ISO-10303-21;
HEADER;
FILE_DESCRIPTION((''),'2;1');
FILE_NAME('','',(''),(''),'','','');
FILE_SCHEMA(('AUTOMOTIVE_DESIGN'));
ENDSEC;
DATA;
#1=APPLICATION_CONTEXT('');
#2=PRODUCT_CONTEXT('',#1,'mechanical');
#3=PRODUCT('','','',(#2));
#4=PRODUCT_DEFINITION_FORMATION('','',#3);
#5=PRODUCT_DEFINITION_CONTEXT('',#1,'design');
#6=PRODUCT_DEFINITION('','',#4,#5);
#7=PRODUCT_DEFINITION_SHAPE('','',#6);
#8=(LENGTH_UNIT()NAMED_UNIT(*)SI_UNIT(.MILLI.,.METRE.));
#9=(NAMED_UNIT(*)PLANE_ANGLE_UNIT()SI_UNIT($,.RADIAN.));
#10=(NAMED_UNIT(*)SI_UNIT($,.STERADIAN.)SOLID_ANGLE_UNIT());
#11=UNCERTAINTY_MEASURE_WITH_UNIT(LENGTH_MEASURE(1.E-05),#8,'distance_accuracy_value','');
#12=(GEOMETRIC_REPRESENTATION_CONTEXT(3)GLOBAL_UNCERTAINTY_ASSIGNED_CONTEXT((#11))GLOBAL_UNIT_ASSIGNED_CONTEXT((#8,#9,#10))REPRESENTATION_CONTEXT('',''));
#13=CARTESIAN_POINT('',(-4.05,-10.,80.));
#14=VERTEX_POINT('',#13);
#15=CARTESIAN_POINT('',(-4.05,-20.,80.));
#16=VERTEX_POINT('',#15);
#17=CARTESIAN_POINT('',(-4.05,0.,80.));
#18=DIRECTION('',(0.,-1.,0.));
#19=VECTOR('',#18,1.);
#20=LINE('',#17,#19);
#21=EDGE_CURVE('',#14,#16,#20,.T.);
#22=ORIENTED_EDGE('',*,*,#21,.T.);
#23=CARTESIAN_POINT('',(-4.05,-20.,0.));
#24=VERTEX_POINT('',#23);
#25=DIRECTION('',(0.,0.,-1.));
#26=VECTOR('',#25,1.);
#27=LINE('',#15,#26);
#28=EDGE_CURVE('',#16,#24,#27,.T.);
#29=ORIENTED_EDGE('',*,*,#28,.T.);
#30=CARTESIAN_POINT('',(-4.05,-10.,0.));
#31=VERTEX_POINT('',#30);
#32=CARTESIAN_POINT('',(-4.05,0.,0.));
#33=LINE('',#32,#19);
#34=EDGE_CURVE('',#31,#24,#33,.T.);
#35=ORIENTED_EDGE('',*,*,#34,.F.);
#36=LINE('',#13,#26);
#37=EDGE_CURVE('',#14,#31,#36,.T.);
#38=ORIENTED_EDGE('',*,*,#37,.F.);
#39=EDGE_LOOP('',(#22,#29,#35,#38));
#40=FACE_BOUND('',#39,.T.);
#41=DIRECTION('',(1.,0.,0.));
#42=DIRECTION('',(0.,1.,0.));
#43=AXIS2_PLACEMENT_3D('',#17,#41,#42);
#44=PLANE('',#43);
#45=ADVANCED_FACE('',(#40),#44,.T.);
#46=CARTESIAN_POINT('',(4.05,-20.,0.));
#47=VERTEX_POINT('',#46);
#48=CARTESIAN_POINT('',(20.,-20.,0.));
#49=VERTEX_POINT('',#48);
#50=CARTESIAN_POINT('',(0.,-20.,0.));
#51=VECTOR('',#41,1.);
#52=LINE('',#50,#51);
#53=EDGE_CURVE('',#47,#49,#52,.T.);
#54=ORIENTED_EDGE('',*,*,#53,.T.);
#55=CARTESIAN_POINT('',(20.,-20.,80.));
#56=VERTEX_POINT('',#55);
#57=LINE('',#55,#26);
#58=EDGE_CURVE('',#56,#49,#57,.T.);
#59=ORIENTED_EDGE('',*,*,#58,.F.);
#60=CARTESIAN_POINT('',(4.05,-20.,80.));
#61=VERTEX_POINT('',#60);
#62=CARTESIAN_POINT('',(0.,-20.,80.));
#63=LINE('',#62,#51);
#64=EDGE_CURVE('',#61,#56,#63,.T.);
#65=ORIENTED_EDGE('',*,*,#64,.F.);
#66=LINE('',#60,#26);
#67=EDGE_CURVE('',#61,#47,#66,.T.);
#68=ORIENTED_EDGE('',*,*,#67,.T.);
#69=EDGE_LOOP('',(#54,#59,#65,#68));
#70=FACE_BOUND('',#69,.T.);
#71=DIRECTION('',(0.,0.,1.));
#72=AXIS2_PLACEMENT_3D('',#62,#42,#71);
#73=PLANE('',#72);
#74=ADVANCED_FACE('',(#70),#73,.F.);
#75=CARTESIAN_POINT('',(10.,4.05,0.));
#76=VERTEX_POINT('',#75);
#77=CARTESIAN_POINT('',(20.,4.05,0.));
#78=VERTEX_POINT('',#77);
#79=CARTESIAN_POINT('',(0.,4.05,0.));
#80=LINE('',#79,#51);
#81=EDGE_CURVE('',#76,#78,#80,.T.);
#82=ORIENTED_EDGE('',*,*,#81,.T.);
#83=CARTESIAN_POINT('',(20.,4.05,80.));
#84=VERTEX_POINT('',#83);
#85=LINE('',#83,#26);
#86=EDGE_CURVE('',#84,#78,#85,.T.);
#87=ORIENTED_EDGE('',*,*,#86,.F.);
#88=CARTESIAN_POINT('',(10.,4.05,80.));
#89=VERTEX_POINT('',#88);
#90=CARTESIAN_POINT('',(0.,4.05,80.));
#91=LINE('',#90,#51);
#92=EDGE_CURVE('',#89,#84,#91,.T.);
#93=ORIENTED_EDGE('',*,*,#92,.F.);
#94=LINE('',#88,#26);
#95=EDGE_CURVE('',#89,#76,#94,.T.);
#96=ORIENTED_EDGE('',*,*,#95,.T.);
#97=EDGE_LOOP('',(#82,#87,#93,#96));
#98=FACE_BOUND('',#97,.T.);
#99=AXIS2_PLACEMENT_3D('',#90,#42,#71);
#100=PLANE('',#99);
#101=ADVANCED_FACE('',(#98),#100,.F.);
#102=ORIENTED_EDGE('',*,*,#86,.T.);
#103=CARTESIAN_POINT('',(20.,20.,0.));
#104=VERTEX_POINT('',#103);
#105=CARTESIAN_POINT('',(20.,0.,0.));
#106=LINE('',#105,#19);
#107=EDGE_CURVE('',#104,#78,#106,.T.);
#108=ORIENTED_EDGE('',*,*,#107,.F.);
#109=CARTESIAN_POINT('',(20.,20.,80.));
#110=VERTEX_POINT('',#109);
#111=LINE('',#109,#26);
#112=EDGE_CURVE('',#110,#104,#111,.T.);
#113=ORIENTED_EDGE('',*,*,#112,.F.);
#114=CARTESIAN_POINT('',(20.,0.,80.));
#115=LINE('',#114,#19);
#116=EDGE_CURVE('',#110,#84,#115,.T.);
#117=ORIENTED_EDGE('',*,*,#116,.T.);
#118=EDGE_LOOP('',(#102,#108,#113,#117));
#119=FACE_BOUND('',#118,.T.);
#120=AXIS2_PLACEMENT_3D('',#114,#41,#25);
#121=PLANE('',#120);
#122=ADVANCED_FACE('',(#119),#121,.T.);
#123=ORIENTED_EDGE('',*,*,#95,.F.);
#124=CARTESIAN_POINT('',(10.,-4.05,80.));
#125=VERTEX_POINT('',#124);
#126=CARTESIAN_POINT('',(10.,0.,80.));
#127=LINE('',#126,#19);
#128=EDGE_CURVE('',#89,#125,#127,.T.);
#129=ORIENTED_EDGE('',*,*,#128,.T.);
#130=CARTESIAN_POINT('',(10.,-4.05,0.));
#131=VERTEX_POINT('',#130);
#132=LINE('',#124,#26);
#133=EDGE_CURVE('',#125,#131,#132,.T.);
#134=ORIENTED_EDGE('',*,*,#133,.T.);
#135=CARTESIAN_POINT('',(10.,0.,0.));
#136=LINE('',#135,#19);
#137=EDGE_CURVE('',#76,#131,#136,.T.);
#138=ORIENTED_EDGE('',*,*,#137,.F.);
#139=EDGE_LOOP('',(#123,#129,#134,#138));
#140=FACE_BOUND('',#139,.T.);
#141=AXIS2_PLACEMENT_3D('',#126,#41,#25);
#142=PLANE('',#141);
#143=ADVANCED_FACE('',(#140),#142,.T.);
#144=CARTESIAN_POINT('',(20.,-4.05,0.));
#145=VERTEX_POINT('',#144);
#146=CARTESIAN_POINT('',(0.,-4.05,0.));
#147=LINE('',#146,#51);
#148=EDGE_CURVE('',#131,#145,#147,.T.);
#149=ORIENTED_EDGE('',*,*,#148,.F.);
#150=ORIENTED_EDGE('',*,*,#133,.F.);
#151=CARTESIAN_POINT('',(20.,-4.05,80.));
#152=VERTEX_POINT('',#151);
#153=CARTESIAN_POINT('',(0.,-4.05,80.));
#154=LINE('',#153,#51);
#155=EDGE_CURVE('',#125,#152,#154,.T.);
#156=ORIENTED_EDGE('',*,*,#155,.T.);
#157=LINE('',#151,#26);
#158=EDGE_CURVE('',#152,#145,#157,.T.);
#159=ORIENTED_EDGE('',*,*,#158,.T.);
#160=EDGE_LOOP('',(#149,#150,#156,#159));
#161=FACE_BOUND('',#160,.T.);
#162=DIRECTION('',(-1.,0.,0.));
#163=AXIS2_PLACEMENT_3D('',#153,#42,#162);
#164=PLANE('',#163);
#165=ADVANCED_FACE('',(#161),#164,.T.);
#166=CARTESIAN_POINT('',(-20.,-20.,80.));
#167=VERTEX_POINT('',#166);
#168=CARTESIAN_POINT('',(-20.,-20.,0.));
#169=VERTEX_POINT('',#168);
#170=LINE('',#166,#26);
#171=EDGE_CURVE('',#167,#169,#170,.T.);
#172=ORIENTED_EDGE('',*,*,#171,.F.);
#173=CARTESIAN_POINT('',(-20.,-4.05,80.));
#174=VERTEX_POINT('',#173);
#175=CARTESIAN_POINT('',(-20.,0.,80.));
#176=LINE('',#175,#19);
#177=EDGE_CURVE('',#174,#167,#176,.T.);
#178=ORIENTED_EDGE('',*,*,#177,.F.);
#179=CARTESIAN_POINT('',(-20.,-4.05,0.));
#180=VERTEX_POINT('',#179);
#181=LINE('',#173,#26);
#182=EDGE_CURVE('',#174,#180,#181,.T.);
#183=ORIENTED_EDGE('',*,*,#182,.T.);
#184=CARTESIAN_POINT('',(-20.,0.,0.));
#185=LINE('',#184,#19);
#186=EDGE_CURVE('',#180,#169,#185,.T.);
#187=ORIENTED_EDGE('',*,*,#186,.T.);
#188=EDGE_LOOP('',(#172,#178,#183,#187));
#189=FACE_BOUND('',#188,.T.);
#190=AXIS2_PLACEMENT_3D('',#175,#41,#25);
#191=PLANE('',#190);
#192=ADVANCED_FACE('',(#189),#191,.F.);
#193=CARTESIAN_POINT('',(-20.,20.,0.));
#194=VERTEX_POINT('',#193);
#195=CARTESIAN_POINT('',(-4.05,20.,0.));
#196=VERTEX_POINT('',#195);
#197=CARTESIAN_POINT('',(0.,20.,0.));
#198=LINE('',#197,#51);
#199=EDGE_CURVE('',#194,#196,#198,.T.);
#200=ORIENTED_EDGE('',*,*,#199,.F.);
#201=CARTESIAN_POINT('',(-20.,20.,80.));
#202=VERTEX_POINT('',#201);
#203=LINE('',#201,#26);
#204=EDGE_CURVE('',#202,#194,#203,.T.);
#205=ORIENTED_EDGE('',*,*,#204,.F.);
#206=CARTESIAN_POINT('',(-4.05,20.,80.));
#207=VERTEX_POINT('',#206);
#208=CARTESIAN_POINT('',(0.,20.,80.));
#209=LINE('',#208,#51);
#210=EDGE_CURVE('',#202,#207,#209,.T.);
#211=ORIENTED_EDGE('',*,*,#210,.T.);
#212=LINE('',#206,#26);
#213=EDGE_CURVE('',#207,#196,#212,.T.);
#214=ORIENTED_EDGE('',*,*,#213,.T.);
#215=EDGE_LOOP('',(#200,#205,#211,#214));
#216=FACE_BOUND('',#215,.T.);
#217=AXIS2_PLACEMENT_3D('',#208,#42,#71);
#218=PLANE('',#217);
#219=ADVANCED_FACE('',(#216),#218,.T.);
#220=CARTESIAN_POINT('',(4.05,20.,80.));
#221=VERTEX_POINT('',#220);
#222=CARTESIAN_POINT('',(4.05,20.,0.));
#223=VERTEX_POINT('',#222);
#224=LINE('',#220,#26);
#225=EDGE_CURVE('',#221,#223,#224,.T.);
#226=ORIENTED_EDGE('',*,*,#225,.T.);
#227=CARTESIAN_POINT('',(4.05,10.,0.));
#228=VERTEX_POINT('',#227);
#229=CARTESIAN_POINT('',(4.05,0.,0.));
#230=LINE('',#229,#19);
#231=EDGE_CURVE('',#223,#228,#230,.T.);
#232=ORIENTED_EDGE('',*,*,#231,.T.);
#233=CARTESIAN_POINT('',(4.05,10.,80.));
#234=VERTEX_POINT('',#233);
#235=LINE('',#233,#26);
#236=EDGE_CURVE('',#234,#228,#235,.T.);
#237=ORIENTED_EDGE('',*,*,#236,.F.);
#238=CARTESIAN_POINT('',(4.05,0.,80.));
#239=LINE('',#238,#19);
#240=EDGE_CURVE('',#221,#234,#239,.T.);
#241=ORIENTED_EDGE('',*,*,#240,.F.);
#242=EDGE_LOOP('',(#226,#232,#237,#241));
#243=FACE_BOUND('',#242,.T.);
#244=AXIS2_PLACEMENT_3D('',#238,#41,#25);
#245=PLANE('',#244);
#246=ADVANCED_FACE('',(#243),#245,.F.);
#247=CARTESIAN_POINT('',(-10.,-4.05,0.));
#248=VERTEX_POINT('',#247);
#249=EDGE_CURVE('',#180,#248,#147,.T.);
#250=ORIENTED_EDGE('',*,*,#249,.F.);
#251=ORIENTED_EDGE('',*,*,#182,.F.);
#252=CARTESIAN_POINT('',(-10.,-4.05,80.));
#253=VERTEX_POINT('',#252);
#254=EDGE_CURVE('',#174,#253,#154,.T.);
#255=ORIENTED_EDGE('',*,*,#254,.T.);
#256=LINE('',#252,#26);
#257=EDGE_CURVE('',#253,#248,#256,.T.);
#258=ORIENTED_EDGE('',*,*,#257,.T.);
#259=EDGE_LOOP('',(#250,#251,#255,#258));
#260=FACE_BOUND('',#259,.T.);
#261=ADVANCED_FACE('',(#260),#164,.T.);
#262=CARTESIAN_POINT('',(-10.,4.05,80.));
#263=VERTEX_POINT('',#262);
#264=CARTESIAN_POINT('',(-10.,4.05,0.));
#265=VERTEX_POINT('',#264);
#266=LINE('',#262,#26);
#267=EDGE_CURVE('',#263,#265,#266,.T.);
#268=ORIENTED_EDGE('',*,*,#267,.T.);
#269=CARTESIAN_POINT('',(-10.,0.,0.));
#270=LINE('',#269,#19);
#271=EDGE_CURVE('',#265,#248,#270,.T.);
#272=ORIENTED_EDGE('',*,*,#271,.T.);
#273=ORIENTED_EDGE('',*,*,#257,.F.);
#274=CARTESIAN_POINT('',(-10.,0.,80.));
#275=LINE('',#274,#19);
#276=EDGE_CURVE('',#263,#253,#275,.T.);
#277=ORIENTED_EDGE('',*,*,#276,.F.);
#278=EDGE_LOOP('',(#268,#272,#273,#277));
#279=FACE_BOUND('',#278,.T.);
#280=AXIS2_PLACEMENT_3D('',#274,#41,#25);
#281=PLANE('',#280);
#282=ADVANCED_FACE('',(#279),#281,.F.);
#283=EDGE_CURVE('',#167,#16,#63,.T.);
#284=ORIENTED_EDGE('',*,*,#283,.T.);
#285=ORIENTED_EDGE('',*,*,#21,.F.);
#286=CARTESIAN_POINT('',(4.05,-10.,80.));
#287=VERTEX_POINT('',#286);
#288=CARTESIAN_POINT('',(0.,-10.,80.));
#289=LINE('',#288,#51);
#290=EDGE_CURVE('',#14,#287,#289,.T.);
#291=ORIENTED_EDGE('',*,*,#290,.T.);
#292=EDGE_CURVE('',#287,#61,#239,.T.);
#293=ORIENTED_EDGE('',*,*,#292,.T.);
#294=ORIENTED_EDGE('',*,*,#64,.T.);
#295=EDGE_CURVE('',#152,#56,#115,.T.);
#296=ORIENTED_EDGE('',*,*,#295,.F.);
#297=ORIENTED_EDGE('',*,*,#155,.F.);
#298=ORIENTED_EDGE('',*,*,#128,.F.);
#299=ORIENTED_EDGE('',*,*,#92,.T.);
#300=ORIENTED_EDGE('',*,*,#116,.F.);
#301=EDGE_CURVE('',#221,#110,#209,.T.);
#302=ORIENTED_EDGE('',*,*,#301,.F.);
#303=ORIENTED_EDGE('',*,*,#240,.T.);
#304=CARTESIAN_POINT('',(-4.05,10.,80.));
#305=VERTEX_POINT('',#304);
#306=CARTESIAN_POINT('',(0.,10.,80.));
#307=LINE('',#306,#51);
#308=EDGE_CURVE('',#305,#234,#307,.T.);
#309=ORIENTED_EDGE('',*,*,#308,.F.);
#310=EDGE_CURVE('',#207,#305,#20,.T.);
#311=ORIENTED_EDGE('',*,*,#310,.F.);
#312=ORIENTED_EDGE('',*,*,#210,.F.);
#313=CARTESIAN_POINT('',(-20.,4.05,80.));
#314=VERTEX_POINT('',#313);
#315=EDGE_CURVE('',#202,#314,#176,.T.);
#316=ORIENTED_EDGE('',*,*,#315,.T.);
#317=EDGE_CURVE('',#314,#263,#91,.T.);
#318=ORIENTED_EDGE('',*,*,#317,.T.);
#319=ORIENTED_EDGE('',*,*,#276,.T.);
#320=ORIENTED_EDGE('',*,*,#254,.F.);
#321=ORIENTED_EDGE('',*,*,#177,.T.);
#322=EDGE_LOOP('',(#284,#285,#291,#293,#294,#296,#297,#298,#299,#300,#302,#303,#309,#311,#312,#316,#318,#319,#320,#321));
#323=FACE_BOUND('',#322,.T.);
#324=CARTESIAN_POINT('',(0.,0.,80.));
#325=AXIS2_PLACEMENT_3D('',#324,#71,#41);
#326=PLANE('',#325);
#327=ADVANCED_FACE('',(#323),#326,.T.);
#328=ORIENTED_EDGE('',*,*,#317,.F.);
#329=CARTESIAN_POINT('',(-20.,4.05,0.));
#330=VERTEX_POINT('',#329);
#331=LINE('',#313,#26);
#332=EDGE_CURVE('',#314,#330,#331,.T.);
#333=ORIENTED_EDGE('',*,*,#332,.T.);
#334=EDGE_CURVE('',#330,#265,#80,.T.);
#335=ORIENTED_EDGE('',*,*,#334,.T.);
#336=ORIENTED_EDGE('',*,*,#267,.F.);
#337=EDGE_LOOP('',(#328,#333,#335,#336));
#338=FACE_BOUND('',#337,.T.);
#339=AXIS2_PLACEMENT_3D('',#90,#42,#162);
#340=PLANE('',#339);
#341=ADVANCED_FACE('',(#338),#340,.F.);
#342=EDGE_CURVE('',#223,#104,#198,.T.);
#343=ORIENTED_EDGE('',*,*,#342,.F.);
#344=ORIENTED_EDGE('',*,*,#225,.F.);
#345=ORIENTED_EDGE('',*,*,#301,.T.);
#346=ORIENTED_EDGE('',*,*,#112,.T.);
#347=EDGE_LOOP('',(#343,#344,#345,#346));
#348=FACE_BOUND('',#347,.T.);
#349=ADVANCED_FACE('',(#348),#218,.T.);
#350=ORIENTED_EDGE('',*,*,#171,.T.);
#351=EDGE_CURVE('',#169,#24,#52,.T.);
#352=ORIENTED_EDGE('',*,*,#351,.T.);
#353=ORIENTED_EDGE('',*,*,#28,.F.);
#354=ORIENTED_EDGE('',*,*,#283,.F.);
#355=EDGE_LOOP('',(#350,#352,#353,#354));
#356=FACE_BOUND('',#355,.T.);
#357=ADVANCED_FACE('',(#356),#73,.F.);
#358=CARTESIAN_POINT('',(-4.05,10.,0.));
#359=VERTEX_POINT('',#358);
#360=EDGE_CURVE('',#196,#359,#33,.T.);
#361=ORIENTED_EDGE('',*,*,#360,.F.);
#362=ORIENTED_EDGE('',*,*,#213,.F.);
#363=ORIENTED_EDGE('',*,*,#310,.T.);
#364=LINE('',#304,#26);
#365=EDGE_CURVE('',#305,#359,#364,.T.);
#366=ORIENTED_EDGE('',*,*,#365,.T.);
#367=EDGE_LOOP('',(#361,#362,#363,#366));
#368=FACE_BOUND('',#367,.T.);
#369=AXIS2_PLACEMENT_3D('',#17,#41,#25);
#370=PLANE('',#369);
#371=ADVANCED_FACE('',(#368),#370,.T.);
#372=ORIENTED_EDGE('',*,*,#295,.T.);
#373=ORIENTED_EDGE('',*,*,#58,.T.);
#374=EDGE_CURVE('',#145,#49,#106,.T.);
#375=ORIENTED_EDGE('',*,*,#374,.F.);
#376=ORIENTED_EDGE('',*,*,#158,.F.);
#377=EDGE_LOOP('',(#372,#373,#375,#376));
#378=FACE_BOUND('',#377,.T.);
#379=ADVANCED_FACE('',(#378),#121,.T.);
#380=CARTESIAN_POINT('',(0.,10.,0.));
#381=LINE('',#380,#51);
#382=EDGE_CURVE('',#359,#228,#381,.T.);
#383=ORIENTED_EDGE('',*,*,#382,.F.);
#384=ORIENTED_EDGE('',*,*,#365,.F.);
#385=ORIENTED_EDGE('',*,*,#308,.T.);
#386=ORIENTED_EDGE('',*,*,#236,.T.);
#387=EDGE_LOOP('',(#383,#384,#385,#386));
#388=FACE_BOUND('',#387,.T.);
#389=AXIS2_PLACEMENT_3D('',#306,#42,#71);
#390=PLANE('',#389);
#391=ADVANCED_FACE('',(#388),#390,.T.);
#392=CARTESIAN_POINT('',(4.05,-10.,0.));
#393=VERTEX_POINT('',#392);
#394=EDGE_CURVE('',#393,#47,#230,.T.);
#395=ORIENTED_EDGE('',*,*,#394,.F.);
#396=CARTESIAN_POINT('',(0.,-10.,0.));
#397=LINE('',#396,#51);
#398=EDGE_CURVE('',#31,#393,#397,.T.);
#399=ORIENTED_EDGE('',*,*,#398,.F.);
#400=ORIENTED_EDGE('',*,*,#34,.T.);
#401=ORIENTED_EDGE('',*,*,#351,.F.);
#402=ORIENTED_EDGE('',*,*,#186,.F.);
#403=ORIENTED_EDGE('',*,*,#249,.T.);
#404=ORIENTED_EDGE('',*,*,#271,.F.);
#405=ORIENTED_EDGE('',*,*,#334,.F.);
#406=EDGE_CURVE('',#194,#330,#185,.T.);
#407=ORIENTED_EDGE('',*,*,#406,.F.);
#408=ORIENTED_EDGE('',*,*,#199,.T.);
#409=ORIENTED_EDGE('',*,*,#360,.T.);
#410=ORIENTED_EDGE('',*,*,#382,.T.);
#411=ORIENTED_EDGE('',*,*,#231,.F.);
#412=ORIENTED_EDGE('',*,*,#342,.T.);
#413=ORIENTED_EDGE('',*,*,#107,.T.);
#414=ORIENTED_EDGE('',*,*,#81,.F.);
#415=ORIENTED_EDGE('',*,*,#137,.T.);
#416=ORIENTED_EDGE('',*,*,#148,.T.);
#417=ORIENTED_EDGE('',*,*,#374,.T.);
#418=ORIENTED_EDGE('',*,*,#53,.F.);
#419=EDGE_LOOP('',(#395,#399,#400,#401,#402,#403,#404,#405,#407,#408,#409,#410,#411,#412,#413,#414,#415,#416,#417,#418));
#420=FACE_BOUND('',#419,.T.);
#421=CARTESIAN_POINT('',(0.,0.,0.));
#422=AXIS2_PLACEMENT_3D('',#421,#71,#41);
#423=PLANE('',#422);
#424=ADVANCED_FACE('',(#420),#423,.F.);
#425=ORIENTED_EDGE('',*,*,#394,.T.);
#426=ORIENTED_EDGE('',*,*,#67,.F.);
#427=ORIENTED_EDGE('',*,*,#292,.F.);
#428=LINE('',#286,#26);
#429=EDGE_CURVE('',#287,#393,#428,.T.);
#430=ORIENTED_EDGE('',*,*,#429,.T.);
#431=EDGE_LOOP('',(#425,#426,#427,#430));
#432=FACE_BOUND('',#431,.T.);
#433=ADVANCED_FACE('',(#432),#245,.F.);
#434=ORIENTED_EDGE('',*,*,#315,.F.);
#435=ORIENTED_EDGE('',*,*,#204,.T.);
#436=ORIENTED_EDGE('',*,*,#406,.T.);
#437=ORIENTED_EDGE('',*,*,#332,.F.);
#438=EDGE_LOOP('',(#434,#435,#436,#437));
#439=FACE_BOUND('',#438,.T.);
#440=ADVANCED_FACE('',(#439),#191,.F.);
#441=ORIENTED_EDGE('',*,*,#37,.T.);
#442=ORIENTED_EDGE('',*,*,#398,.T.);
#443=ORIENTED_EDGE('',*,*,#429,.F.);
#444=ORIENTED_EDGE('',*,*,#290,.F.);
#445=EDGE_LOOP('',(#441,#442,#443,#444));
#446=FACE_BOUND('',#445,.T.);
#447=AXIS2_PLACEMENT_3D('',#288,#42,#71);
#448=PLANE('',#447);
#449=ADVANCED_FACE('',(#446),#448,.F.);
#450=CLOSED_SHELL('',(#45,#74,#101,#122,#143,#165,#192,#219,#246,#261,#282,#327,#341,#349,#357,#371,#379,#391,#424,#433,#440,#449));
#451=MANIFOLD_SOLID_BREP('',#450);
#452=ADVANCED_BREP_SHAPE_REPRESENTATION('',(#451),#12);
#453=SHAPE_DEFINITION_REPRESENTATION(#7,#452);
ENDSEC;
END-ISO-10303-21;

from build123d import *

# Parameters (mm, degrees)
BOSS_EXTRUDE1_DEPTH = 80


with BuildPart() as part:
    # Sketch1 → Boss-Extrude1 (new body)
    with BuildSketch(Plane.XY):
        Polygon((-4.05, 20), (-20, 20), (-20, 4.05), (-10, 4.05), (-10, -4.05), (-20, -4.05), (-20, -20), (-4.05, -20), (-4.05, -10), (4.05, -10), (4.05, -20), (20, -20), (20, -4.05), (10, -4.05), (10, 4.05), (20, 4.05), (20, 20), (4.05, 20), (4.05, 10), (-4.05, 10), align=None)
    extrude(amount=BOSS_EXTRUDE1_DEPTH)


solid = part.part
